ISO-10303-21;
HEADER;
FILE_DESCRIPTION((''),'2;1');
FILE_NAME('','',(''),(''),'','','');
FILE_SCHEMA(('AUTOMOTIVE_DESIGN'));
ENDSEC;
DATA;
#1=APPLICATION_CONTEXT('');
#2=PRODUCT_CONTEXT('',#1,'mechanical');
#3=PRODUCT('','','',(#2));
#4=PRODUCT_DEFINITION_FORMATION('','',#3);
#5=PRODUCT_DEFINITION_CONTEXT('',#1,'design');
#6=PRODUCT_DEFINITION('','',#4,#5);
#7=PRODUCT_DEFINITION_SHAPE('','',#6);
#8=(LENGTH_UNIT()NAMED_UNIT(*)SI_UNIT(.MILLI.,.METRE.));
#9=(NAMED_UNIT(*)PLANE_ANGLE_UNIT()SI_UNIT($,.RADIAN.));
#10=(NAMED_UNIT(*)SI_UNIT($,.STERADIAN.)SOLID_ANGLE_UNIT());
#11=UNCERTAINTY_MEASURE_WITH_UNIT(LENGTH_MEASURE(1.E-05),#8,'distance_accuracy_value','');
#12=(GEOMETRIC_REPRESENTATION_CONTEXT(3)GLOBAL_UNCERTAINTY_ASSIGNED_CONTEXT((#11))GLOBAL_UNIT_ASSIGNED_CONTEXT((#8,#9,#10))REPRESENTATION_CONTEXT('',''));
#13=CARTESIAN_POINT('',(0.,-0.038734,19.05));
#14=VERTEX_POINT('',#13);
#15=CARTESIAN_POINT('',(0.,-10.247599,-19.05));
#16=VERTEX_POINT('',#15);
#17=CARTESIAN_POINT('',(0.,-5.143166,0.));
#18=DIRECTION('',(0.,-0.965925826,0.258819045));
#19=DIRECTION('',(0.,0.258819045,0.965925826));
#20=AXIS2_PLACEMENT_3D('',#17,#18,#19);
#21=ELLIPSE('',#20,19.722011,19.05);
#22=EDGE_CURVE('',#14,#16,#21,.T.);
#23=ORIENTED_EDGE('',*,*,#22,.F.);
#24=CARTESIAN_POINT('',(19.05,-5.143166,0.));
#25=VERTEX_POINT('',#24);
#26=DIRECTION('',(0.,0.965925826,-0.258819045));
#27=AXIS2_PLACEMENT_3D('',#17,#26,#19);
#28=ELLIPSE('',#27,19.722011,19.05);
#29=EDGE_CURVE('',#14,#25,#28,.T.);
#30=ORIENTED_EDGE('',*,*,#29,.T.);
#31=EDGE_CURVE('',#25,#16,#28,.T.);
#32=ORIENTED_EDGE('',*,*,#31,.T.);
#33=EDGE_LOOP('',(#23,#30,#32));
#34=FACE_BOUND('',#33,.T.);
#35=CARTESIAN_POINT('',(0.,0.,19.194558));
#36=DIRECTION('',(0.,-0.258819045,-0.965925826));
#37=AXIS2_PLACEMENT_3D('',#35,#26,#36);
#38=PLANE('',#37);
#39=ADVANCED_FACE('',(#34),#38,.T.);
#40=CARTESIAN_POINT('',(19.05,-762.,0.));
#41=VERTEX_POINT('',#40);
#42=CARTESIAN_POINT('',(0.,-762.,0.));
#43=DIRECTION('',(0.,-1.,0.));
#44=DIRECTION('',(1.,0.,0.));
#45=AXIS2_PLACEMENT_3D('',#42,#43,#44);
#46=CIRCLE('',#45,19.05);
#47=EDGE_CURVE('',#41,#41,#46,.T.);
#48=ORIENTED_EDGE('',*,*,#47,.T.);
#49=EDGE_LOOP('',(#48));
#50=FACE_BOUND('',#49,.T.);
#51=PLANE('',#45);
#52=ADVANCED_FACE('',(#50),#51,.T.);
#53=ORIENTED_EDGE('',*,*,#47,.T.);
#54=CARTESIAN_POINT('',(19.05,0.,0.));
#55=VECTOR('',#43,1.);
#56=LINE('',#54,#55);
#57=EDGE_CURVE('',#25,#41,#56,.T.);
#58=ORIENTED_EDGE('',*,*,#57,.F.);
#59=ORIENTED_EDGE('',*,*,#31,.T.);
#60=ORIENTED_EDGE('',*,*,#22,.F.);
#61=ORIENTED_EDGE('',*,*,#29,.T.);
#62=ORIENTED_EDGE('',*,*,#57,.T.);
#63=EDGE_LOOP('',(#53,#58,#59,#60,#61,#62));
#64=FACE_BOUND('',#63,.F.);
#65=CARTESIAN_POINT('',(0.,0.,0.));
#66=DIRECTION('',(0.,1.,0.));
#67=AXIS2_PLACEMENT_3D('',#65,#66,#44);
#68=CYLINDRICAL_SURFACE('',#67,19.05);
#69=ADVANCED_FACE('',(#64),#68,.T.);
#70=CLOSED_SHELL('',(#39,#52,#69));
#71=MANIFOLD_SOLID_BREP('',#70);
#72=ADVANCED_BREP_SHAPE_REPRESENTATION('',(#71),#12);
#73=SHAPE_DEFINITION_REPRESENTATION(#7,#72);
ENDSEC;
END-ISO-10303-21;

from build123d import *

# Parameters (mm, degrees)
F0_R          = 19.05
F1_DEPTH      = 762
F3_DEPTH      = 127
F3_DEPTH_BACK = 25.4


with BuildPart() as f1:
    # F0 (on Front) → F1 (new body)
    with BuildSketch(Plane.XZ):
        Circle(F0_R)
    extrude(amount=F1_DEPTH)

    # F2 (on Right) → F3 (cut, two sides)
    with BuildSketch(Plane.YZ) as f3_sk:
        Polygon((-15.7306751392, -39.5131205941), (0, -39.5131205941), (0, 19.1945582628), align=None)
    extrude(amount=-F3_DEPTH, mode=Mode.SUBTRACT)
    extrude(f3_sk.sketch, amount=F3_DEPTH_BACK, mode=Mode.SUBTRACT)


solid = f1.part
